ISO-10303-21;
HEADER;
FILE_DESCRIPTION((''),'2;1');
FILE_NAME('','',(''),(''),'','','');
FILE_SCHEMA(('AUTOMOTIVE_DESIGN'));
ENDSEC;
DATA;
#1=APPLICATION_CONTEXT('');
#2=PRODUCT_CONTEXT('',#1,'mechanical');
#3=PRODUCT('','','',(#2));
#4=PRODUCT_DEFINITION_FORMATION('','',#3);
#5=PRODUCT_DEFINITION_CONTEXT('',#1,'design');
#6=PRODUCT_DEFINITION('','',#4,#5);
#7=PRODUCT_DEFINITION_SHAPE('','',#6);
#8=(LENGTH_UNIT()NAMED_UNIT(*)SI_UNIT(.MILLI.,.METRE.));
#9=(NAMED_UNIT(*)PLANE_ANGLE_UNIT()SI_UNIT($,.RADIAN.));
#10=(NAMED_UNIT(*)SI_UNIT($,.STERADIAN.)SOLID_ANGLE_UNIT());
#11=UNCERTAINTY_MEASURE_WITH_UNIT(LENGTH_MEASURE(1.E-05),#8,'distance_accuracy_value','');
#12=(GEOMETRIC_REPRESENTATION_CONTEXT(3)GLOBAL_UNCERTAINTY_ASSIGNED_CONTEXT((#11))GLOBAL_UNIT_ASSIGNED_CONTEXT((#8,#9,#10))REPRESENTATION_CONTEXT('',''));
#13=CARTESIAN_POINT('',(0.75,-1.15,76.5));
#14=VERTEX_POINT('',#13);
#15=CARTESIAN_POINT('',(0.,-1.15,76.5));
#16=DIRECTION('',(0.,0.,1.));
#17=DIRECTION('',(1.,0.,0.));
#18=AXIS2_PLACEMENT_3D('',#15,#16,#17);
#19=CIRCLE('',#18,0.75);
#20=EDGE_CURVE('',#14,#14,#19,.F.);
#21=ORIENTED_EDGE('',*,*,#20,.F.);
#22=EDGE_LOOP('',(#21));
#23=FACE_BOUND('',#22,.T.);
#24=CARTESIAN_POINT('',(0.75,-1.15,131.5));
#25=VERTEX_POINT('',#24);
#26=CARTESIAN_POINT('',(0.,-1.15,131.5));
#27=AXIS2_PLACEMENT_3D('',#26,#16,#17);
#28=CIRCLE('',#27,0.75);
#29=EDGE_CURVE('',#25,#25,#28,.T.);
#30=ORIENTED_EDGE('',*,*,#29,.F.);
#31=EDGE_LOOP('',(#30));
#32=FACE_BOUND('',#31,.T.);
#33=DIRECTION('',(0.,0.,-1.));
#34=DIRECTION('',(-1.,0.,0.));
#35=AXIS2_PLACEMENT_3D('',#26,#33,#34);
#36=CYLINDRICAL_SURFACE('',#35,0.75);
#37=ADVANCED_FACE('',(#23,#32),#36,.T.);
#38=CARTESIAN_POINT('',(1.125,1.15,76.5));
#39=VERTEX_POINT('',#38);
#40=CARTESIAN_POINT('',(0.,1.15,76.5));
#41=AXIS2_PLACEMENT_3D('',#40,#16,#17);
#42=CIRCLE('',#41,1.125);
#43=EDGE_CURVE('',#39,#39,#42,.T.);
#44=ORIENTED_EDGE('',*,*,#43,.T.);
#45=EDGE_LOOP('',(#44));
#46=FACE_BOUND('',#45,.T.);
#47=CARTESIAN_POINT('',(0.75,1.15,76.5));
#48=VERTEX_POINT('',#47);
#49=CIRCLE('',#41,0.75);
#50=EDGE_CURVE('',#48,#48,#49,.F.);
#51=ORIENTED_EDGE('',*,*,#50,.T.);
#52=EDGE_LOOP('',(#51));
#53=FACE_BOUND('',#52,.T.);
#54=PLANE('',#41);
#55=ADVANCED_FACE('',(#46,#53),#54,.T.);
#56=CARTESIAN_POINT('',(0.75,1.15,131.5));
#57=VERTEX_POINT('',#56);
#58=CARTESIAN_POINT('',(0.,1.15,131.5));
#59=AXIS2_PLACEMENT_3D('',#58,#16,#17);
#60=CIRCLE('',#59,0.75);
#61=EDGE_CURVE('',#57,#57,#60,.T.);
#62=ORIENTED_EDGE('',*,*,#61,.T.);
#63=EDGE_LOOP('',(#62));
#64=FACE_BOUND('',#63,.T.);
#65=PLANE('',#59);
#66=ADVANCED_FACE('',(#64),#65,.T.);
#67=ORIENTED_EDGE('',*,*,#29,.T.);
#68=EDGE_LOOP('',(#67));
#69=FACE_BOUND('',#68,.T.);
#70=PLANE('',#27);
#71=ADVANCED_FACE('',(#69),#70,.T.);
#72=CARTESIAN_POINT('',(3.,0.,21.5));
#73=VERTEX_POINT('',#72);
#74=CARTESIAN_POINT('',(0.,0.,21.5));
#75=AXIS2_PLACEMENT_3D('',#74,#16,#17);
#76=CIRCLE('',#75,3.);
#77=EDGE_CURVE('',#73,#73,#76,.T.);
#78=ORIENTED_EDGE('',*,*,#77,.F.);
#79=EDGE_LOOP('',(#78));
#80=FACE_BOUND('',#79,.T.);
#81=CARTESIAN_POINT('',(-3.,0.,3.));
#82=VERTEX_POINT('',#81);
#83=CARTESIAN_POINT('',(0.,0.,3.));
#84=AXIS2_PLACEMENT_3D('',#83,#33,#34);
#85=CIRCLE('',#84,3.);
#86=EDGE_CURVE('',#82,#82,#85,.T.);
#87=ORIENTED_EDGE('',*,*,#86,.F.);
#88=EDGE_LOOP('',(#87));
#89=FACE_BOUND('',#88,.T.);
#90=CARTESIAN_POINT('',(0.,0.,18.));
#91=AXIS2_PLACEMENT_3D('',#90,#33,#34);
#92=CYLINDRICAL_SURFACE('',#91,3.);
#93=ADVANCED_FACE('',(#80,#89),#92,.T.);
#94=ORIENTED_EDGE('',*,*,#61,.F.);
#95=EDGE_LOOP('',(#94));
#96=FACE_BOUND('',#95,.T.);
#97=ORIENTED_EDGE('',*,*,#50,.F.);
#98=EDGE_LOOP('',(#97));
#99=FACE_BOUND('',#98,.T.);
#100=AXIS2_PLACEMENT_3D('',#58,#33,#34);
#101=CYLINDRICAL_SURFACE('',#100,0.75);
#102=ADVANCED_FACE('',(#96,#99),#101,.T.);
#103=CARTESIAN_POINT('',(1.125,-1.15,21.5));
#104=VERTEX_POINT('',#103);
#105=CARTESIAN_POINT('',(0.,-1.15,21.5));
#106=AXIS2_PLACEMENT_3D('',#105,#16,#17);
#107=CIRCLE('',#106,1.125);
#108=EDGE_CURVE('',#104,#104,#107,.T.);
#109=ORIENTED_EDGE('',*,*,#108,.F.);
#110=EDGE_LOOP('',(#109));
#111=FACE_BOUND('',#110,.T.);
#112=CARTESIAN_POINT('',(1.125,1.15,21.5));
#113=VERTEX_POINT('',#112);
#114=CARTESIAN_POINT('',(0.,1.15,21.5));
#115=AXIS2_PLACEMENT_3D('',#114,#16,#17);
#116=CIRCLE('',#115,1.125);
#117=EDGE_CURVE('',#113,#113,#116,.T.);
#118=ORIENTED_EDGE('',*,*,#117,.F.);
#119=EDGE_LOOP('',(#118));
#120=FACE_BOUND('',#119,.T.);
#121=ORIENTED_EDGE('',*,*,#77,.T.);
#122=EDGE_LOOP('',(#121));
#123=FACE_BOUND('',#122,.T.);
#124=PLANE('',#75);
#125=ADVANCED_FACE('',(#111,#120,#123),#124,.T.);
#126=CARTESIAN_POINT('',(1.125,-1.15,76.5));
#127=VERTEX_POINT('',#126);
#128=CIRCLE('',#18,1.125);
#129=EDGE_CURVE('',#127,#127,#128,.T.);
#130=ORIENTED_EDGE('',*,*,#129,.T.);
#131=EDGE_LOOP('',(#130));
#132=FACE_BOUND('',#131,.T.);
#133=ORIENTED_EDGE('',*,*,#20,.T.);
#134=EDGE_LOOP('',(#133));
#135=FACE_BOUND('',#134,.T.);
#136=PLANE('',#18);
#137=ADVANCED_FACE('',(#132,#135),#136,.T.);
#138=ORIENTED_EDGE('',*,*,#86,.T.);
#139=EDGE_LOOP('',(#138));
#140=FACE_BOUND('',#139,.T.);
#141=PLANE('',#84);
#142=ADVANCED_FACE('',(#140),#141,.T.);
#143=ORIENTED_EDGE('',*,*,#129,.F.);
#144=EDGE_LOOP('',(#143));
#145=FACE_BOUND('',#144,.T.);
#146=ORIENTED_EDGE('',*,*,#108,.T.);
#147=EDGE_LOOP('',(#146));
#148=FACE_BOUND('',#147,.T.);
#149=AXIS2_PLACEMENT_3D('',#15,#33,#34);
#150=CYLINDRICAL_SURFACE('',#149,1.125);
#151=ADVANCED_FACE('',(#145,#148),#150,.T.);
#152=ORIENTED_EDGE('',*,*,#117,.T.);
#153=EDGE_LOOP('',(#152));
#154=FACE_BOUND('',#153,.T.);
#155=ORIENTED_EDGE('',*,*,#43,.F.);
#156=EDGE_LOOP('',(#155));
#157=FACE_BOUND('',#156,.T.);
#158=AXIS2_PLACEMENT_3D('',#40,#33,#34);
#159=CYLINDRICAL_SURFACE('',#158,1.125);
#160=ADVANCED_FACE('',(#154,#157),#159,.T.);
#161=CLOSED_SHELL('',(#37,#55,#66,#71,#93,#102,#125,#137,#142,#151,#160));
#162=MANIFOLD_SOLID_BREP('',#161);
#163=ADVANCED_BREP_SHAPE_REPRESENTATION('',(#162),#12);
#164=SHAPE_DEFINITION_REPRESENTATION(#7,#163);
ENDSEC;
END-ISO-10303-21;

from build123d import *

# Parameters (mm, degrees)
CROQUIS1_R                   = 3
SALIENTE_EXTRUIR1_DEPTH      = 18
SALIENTE_EXTRUIR2_DEPTH      = 21.5
SALIENTE_EXTRUIR2_DEPTH_BACK = 1.5
CROQUIS1_2_R                 = 3
CROQUIS3_R                   = 3
CORTAR_EXTRUIR1_DEPTH        = 4.5
CROQUIS9_R                   = 1.125
SALIENTE_EXTRUIR3_DEPTH      = 55
CROQUIS10_R                  = 0.75
SALIENTE_EXTRUIR4_DEPTH      = 110


with BuildPart() as part:
    # Croquis1 → Saliente-Extruir1 (new body)
    with BuildSketch(Plane.XY):
        Circle(CROQUIS1_R)
    extrude(amount=SALIENTE_EXTRUIR1_DEPTH)

    # Croquis1<2> → Saliente-Extruir2 (add, two sides: drawn at the far end of the back side and taken through both)
    with BuildSketch(Plane.XY.offset(-SALIENTE_EXTRUIR2_DEPTH_BACK)):
        Circle(CROQUIS1_2_R)
    extrude(amount=SALIENTE_EXTRUIR2_DEPTH + SALIENTE_EXTRUIR2_DEPTH_BACK)

    # Croquis3 → Cortar-Extruir1 (cut)
    with BuildSketch(Plane(origin=(0, 0, -1.5), x_dir=(-1, 0, 0), z_dir=(0, 0, -1))):
        Circle(CROQUIS3_R)
    extrude(amount=-CORTAR_EXTRUIR1_DEPTH, mode=Mode.SUBTRACT)

    # Croquis9 → Saliente-Extruir3 (add)
    with BuildSketch(Plane.XY.offset(21.5)):
        with Locations((0, -1.15)):
            Circle(CROQUIS9_R)
        with Locations((0, 1.15)):
            Circle(CROQUIS9_R)
    extrude(amount=SALIENTE_EXTRUIR3_DEPTH)

    # Croquis10 → Saliente-Extruir4 (add)
    with BuildSketch(Plane.XY.offset(21.5)):
        with Locations((0, -1.15)):
            Circle(CROQUIS10_R)
        with Locations((0, 1.15)):
            Circle(CROQUIS10_R)
    extrude(amount=SALIENTE_EXTRUIR4_DEPTH)


solid = part.part
